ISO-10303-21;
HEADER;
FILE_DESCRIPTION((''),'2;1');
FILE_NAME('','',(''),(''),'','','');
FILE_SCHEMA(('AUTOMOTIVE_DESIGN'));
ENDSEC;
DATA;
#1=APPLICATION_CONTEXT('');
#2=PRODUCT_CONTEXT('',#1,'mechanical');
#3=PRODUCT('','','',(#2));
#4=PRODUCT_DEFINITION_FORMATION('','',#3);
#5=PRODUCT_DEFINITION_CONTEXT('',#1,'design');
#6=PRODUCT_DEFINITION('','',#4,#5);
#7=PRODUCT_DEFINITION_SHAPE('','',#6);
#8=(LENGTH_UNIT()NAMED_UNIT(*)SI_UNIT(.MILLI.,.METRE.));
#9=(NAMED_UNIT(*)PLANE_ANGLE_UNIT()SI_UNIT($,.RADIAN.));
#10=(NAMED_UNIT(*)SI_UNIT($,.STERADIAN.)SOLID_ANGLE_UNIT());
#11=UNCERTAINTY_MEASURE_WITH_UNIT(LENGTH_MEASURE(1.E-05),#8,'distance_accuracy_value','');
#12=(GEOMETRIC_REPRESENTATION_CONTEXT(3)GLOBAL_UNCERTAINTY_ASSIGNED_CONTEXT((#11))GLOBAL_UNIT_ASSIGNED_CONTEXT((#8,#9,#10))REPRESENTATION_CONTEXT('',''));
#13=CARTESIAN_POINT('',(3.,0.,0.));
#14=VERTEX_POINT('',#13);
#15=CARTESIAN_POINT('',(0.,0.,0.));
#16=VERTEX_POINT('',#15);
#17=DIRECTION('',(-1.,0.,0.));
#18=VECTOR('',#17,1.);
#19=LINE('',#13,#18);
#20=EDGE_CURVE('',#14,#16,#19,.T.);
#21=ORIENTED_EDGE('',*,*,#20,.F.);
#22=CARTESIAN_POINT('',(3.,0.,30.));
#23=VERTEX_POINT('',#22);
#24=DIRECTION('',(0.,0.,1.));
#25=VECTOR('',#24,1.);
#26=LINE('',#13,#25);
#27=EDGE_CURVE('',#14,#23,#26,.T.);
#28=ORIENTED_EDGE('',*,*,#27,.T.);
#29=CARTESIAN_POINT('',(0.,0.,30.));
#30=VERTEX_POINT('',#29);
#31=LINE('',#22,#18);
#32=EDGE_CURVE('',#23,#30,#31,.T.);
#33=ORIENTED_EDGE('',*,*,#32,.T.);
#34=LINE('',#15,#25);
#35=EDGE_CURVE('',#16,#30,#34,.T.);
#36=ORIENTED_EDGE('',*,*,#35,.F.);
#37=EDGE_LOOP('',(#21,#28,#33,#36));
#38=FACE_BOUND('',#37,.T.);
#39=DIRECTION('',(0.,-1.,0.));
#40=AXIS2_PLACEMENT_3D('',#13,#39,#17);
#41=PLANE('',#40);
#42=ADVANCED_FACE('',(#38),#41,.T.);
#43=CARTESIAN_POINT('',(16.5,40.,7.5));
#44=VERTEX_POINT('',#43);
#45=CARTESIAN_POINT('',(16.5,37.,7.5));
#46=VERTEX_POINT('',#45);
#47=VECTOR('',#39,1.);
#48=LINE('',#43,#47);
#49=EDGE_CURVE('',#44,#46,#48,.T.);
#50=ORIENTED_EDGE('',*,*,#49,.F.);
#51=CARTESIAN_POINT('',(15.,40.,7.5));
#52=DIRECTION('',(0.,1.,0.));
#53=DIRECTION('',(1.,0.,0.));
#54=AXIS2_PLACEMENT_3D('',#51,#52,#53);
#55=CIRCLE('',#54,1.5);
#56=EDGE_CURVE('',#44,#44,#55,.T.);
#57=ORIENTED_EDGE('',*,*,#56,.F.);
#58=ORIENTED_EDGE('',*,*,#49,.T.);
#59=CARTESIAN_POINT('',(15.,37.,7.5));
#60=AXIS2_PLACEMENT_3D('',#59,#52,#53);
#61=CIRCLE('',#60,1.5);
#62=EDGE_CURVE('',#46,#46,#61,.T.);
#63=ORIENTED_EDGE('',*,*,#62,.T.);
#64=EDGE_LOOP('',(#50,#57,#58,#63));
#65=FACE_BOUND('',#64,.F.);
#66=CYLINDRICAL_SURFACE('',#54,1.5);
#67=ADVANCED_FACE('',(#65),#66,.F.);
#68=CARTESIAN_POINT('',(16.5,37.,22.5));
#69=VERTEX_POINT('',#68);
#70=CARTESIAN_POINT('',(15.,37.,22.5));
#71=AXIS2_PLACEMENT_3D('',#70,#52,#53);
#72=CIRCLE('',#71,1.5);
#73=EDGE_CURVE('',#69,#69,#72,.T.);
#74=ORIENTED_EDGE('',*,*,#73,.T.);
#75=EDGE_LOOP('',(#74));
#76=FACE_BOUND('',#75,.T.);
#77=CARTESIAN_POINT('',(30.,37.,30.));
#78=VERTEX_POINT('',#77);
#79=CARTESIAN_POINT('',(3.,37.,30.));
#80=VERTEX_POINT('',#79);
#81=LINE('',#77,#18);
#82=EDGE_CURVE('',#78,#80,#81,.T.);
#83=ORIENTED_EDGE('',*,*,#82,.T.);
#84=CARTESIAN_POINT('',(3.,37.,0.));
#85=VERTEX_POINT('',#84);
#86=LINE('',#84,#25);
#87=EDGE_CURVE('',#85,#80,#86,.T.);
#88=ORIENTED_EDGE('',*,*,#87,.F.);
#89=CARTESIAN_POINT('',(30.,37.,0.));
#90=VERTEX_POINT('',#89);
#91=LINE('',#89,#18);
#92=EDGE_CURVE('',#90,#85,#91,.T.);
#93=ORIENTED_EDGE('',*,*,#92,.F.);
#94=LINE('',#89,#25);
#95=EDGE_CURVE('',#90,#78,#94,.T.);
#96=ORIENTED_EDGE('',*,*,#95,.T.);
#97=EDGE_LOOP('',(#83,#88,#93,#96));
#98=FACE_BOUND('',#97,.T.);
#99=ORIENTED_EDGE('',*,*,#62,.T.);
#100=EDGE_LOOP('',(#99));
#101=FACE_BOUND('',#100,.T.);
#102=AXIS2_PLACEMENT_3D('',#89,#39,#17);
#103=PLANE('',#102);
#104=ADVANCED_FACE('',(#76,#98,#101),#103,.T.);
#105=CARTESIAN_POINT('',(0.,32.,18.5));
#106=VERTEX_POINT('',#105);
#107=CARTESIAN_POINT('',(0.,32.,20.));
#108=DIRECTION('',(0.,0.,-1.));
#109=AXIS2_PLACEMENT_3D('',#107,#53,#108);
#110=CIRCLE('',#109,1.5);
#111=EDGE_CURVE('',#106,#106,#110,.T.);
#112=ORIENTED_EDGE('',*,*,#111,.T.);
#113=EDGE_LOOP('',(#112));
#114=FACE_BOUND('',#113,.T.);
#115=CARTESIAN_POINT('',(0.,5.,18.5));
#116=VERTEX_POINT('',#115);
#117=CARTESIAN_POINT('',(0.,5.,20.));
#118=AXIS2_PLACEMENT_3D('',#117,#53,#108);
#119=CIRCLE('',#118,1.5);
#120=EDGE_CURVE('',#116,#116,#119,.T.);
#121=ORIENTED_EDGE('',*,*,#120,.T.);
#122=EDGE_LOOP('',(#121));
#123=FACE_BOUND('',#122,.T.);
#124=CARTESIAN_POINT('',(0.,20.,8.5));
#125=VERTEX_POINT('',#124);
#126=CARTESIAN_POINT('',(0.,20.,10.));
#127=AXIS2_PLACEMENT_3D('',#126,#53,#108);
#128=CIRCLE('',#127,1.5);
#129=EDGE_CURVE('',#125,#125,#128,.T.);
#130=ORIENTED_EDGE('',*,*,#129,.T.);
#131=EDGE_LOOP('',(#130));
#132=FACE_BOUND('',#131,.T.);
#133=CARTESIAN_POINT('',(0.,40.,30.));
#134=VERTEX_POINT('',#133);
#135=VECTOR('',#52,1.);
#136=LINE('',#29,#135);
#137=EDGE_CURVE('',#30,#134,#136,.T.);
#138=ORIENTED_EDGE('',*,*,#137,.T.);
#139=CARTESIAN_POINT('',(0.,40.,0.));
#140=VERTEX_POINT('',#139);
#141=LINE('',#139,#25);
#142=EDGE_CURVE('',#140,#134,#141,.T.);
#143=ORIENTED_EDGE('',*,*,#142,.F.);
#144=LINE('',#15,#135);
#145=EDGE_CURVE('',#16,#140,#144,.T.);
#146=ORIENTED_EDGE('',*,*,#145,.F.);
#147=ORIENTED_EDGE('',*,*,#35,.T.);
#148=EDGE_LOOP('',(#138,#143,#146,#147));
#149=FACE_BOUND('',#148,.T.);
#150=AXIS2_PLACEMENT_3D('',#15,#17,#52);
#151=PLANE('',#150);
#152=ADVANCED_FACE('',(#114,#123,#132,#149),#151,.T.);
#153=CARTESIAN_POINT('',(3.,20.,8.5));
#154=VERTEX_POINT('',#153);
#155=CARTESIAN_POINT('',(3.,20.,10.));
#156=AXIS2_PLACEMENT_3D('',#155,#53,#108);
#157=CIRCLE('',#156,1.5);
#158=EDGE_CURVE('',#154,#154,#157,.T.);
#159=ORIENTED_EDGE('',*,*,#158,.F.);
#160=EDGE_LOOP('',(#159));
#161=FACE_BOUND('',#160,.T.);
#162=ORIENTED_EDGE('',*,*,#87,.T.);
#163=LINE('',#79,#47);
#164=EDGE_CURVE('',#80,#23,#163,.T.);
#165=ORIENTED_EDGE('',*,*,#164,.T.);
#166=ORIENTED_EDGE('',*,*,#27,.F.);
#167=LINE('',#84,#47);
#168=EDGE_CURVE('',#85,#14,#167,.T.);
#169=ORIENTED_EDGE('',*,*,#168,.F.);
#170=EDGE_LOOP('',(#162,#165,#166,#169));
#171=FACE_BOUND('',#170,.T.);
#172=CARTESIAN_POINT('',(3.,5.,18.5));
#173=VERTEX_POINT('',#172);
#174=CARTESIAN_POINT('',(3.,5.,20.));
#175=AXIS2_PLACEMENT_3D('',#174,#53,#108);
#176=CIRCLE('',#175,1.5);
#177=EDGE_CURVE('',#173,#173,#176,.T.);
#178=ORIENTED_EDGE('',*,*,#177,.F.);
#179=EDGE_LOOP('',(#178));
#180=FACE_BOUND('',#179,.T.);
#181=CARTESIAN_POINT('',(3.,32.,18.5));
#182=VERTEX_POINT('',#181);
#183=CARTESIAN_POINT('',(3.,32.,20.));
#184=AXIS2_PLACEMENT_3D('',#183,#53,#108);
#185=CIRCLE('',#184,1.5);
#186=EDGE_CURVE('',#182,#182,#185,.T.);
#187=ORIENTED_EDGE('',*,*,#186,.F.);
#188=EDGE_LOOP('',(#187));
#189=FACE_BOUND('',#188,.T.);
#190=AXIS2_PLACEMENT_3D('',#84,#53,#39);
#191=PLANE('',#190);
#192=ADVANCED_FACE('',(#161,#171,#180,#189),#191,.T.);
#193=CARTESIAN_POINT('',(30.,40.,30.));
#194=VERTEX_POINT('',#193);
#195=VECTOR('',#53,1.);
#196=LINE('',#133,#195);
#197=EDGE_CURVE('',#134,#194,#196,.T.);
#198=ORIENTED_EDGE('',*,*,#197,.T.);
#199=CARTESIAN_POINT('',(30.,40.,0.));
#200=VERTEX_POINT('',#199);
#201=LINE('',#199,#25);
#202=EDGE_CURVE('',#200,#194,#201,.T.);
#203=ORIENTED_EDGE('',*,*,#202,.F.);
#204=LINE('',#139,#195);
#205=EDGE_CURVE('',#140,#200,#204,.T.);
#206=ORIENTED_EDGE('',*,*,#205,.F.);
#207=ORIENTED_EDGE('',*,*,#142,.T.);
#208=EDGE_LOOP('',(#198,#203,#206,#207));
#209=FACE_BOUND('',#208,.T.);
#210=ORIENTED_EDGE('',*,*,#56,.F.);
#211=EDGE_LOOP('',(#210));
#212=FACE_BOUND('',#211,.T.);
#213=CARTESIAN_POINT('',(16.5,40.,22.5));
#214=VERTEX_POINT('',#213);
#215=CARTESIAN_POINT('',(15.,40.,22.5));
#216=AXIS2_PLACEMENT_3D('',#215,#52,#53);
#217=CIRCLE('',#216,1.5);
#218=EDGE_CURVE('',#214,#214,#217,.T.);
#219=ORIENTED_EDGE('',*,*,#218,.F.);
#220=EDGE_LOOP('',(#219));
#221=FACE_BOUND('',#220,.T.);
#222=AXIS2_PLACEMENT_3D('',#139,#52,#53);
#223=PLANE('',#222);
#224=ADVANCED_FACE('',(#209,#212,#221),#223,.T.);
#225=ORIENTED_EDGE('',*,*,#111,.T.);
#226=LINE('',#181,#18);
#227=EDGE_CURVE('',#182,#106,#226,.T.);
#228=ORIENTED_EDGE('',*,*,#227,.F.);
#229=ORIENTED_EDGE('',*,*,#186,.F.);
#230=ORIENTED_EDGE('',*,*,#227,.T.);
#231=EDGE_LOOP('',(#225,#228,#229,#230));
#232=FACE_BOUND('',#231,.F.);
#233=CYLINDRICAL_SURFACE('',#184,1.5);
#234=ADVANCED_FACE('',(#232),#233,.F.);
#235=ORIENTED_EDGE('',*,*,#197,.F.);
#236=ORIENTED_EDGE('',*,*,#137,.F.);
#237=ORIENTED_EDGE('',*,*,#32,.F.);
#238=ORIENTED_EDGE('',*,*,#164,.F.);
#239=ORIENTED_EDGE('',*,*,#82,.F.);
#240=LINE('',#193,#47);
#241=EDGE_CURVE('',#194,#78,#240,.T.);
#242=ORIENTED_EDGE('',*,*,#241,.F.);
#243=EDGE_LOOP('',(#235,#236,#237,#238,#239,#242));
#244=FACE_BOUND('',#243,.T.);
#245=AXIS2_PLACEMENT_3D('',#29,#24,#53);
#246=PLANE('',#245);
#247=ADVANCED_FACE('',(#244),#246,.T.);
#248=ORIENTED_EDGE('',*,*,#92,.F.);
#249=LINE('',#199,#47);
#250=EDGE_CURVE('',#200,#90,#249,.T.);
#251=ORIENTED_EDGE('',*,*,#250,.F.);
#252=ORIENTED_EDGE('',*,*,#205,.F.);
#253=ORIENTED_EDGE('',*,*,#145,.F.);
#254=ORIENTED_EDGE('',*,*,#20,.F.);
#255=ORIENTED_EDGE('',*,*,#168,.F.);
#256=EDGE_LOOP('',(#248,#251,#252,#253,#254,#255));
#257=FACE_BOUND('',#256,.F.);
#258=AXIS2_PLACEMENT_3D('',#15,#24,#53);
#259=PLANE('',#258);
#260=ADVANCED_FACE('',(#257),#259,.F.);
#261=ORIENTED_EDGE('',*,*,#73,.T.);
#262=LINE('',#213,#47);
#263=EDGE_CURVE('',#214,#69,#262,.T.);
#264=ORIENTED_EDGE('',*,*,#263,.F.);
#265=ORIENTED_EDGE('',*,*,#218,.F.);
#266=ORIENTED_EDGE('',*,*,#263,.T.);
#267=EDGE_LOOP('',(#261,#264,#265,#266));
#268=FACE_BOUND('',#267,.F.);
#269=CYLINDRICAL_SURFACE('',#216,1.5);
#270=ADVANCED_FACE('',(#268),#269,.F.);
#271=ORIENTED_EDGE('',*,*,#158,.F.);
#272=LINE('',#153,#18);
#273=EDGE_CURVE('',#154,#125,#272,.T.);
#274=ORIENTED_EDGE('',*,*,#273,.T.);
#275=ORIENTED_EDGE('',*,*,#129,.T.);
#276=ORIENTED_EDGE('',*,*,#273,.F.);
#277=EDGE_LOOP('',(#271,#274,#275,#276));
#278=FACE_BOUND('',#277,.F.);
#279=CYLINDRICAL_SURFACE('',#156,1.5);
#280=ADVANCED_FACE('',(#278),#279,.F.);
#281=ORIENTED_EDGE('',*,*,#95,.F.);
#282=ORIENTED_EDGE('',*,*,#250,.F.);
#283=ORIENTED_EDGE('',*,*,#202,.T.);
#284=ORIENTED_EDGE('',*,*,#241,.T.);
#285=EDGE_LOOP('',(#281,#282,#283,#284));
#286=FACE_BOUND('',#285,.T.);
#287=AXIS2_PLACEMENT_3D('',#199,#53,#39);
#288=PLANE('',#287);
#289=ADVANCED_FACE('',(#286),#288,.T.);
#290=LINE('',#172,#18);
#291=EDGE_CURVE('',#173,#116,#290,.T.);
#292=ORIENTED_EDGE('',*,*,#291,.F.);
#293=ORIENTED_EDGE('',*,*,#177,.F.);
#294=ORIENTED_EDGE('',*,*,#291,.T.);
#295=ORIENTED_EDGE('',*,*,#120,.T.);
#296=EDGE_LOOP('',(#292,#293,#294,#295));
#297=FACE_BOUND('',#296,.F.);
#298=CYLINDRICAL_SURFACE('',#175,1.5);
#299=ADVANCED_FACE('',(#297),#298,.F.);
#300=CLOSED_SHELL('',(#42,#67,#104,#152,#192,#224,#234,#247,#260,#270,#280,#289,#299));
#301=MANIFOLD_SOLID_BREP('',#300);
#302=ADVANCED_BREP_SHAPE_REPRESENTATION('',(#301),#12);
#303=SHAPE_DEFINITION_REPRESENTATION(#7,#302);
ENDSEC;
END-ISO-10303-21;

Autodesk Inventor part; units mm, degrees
sketch "Sketch1" plane through (0, 0, 0) normal (0, 0, 1) x (1, 0, 0)
  line L0 (0, 0) -> (0, 40)
  line L1 (0, 40) -> (30, 40)
  line L2 (30, 40) -> (30, 37)
  line L3 (30, 37) -> (3, 37)
  line L4 (3, 37) -> (3, 0)
  line L5 (3, 0) -> (0, 0)
extrude "Extrusion1" add sketch "Sketch1" along normal blind 30
sketch "Sketch2" plane through (3, 0, 0) normal (1, 0, 0) x (0, 0, -1)
  line L0 (-30, 37) -> (-30, 40) projected
  line L1 (-30, 40) -> (-20, 40)
  line L2 (0, 40) -> (-30, 40) projected
  line L3 (0, 0) -> (-30, 0) projected
  line L4 (-20, 0) -> (-10, 0)
  line L5 (0, 37) -> (-30, 37) projected
  circle A0 centre (-20, 32) radius 1.5
  circle A1 centre (-20, 5) radius 1.5
  circle A2 centre (-10, 20) radius 1.5
extrude "Extrusion2" cut sketch "Sketch2" against normal blind 30
sketch "Sketch3" plane through (0, 40, 0) normal (0, 1, 0) x (1, 0, 0)
  line L0 (0, 0) -> (0, -30) projected
  line L1 (3, 0) -> (30, 0) projected
  line L2 (3, -30) -> (30, -30) projected
  circle A0 centre (15, -15) radius 1.5
extrude "Extrusion3" cut sketch "Sketch3" against normal blind 30
sketch "Sketch4" plane through (0, 40, 0) normal (0, 1, 0) x (1, 0, 0)
  circle A0 centre (15, -15) radius 1.5 projected
  circle A1 centre (15, -15) radius 1.5
  point P0 (0, 0)
extrude "Extrusion4" add sketch "Sketch4" against normal blind 3
sketch "Sketch5" plane through (0, 40, 0) normal (0, 1, 0) x (1, 0, 0)
  point P0 (0, 0)
sketch "Sketch6" plane through (0, 40, 0) normal (0, 1, 0) x (1, 0, 0)
  line L0 (3, -30) -> (30, -30) projected
  circle A0 centre (15, -22.5) radius 1.5
  circle A1 centre (15, -7.5) radius 1.5
  point P0 (0, 0)
extrude "Extrusion5" cut sketch "Sketch6" against normal blind 3
properties part number "T_shape"
